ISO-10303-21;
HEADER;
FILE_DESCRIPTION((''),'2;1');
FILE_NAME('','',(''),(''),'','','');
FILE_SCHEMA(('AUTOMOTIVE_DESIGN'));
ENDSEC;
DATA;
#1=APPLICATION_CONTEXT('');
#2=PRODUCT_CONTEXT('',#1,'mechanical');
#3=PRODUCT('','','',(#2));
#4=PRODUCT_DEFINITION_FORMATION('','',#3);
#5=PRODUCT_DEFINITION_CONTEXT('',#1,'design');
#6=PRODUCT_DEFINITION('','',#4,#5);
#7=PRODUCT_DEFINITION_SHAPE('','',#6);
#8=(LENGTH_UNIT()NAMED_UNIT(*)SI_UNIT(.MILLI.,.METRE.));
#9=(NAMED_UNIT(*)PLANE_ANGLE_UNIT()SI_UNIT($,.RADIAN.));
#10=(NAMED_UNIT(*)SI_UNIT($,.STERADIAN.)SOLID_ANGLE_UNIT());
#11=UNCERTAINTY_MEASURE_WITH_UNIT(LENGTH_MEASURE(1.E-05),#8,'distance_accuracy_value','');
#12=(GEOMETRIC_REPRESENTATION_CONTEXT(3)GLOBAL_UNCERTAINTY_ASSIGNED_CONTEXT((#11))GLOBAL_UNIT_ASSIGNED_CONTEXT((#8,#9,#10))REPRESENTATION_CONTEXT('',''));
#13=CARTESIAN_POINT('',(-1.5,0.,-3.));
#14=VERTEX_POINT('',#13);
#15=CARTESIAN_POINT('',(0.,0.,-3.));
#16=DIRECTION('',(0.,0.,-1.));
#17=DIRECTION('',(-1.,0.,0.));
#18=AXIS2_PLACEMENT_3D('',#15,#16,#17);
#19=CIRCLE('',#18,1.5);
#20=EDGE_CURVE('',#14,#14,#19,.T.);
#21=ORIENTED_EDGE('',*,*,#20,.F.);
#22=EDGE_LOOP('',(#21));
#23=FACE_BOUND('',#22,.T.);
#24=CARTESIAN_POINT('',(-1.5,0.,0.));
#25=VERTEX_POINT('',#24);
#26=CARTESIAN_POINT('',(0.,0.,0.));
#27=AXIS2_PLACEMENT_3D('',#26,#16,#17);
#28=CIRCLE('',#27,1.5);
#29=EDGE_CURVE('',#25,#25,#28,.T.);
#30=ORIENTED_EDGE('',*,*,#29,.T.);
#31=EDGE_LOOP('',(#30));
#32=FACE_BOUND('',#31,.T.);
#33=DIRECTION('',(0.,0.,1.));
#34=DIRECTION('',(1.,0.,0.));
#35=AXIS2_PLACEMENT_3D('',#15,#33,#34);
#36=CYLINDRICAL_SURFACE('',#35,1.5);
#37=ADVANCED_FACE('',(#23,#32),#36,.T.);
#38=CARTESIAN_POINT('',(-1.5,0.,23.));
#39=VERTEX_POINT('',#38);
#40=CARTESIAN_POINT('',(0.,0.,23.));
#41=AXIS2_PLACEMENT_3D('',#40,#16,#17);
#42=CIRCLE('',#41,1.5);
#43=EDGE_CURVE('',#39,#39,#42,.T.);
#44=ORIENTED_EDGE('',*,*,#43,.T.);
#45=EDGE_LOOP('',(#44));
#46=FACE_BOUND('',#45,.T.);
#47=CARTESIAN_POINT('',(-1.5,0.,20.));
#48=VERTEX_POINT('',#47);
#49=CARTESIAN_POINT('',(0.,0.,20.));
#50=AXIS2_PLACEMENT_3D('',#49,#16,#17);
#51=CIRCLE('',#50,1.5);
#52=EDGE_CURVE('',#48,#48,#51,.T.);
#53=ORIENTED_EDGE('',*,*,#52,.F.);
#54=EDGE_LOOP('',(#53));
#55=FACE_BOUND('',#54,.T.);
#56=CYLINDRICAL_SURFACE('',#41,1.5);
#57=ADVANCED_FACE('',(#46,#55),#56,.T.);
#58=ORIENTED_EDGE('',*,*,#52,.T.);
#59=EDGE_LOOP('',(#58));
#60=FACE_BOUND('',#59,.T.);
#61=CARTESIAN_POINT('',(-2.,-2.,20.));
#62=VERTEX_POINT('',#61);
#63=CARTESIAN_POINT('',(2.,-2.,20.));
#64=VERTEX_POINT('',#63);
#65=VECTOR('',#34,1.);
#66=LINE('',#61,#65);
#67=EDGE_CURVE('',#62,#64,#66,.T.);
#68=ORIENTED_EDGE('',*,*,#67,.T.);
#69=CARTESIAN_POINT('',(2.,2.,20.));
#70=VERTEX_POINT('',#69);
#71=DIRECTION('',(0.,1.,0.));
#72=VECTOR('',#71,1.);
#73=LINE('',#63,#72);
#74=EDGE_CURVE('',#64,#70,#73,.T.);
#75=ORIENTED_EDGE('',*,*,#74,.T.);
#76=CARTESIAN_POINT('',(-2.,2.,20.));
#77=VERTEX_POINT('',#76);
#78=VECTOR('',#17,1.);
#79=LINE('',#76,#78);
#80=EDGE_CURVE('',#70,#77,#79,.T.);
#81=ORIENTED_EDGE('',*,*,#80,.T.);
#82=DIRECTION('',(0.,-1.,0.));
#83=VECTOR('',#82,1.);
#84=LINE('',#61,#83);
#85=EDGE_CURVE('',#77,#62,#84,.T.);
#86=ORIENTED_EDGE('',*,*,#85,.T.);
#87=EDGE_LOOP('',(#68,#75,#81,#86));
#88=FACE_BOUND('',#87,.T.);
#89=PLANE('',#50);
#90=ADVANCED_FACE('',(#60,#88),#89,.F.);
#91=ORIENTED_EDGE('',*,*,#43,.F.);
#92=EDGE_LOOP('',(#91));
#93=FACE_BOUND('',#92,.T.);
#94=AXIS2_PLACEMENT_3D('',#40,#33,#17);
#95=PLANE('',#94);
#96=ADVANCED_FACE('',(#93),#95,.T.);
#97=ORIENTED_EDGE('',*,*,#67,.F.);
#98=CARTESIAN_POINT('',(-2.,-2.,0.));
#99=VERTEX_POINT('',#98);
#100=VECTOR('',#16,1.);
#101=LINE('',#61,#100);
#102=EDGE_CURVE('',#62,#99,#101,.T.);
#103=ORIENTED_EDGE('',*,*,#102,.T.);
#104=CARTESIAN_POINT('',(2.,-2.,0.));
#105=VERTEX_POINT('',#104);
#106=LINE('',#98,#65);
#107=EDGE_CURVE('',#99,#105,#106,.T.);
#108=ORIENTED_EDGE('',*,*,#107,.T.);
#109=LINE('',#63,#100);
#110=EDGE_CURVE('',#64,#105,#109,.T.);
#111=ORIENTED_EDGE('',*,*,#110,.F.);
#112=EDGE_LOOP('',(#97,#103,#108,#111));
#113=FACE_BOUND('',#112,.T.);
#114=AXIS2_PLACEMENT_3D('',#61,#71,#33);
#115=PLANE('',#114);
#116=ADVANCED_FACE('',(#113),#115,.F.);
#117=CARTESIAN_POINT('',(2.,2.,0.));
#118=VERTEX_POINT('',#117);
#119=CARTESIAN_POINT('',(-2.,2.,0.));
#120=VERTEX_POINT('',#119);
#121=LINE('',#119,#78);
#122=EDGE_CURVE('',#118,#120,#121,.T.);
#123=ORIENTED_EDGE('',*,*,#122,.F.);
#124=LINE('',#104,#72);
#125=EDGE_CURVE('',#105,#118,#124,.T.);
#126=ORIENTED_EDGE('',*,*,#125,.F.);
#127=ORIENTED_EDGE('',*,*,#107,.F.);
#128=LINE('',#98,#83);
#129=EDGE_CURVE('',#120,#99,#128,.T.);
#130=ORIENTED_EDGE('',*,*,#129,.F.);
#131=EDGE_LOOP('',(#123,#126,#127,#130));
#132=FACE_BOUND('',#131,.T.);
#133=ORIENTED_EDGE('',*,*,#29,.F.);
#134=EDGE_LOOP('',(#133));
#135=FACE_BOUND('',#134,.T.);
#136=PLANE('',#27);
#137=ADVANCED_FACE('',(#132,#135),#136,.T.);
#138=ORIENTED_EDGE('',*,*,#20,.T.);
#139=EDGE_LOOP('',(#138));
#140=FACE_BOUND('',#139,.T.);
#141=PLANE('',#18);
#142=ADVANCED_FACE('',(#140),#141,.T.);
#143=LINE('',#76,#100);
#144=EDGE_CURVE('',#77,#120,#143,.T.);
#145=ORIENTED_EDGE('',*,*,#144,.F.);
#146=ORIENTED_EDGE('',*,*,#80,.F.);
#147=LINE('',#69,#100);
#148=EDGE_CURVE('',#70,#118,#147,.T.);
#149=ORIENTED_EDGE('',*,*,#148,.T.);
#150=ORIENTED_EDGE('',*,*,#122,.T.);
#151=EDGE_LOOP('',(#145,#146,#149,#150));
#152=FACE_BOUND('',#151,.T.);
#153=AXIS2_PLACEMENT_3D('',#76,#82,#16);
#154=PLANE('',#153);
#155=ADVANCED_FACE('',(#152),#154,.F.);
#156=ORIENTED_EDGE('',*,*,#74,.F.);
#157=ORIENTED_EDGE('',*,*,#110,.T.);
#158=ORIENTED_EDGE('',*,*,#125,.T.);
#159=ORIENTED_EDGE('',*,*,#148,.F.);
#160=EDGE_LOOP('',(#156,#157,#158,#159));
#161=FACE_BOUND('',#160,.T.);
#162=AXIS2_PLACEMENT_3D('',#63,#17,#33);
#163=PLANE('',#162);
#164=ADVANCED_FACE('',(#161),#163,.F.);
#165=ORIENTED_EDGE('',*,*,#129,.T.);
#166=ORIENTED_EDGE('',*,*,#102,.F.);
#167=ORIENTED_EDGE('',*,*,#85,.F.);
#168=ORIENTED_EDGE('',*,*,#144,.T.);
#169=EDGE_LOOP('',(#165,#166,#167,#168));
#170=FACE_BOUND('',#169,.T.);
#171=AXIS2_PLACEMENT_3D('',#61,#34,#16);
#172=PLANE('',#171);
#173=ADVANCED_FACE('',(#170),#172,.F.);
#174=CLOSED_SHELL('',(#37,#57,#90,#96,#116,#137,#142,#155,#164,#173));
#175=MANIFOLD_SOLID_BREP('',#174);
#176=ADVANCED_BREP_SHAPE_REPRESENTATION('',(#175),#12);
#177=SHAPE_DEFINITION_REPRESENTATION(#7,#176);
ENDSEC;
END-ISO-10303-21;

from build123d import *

# Parameters (mm, degrees)
CROQUIS1_W              = 4
CROQUIS1_H              = 4
SALIENTE_EXTRUIR1_DEPTH = 20
CROQUIS2_R              = 1.5
SALIENTE_EXTRUIR2_DEPTH = 3


with BuildPart() as part:
    # Croquis1 → Saliente-Extruir1 (new body)
    with BuildSketch(Plane.XY):
        Rectangle(CROQUIS1_W, CROQUIS1_H)
    extrude(amount=SALIENTE_EXTRUIR1_DEPTH)

    # Croquis2 → Saliente-Extruir2 (add)
    with BuildSketch(Plane(origin=(0, 0, 0), x_dir=(-1, 0, 0), z_dir=(0, 0, -1))):
        Circle(CROQUIS2_R)
    saliente_extruir2 = extrude(amount=SALIENTE_EXTRUIR2_DEPTH)

    # Simetría1: Saliente-Extruir2 across plane
    add(saliente_extruir2.mirror(Plane.XY.offset(10)))


solid = part.part
